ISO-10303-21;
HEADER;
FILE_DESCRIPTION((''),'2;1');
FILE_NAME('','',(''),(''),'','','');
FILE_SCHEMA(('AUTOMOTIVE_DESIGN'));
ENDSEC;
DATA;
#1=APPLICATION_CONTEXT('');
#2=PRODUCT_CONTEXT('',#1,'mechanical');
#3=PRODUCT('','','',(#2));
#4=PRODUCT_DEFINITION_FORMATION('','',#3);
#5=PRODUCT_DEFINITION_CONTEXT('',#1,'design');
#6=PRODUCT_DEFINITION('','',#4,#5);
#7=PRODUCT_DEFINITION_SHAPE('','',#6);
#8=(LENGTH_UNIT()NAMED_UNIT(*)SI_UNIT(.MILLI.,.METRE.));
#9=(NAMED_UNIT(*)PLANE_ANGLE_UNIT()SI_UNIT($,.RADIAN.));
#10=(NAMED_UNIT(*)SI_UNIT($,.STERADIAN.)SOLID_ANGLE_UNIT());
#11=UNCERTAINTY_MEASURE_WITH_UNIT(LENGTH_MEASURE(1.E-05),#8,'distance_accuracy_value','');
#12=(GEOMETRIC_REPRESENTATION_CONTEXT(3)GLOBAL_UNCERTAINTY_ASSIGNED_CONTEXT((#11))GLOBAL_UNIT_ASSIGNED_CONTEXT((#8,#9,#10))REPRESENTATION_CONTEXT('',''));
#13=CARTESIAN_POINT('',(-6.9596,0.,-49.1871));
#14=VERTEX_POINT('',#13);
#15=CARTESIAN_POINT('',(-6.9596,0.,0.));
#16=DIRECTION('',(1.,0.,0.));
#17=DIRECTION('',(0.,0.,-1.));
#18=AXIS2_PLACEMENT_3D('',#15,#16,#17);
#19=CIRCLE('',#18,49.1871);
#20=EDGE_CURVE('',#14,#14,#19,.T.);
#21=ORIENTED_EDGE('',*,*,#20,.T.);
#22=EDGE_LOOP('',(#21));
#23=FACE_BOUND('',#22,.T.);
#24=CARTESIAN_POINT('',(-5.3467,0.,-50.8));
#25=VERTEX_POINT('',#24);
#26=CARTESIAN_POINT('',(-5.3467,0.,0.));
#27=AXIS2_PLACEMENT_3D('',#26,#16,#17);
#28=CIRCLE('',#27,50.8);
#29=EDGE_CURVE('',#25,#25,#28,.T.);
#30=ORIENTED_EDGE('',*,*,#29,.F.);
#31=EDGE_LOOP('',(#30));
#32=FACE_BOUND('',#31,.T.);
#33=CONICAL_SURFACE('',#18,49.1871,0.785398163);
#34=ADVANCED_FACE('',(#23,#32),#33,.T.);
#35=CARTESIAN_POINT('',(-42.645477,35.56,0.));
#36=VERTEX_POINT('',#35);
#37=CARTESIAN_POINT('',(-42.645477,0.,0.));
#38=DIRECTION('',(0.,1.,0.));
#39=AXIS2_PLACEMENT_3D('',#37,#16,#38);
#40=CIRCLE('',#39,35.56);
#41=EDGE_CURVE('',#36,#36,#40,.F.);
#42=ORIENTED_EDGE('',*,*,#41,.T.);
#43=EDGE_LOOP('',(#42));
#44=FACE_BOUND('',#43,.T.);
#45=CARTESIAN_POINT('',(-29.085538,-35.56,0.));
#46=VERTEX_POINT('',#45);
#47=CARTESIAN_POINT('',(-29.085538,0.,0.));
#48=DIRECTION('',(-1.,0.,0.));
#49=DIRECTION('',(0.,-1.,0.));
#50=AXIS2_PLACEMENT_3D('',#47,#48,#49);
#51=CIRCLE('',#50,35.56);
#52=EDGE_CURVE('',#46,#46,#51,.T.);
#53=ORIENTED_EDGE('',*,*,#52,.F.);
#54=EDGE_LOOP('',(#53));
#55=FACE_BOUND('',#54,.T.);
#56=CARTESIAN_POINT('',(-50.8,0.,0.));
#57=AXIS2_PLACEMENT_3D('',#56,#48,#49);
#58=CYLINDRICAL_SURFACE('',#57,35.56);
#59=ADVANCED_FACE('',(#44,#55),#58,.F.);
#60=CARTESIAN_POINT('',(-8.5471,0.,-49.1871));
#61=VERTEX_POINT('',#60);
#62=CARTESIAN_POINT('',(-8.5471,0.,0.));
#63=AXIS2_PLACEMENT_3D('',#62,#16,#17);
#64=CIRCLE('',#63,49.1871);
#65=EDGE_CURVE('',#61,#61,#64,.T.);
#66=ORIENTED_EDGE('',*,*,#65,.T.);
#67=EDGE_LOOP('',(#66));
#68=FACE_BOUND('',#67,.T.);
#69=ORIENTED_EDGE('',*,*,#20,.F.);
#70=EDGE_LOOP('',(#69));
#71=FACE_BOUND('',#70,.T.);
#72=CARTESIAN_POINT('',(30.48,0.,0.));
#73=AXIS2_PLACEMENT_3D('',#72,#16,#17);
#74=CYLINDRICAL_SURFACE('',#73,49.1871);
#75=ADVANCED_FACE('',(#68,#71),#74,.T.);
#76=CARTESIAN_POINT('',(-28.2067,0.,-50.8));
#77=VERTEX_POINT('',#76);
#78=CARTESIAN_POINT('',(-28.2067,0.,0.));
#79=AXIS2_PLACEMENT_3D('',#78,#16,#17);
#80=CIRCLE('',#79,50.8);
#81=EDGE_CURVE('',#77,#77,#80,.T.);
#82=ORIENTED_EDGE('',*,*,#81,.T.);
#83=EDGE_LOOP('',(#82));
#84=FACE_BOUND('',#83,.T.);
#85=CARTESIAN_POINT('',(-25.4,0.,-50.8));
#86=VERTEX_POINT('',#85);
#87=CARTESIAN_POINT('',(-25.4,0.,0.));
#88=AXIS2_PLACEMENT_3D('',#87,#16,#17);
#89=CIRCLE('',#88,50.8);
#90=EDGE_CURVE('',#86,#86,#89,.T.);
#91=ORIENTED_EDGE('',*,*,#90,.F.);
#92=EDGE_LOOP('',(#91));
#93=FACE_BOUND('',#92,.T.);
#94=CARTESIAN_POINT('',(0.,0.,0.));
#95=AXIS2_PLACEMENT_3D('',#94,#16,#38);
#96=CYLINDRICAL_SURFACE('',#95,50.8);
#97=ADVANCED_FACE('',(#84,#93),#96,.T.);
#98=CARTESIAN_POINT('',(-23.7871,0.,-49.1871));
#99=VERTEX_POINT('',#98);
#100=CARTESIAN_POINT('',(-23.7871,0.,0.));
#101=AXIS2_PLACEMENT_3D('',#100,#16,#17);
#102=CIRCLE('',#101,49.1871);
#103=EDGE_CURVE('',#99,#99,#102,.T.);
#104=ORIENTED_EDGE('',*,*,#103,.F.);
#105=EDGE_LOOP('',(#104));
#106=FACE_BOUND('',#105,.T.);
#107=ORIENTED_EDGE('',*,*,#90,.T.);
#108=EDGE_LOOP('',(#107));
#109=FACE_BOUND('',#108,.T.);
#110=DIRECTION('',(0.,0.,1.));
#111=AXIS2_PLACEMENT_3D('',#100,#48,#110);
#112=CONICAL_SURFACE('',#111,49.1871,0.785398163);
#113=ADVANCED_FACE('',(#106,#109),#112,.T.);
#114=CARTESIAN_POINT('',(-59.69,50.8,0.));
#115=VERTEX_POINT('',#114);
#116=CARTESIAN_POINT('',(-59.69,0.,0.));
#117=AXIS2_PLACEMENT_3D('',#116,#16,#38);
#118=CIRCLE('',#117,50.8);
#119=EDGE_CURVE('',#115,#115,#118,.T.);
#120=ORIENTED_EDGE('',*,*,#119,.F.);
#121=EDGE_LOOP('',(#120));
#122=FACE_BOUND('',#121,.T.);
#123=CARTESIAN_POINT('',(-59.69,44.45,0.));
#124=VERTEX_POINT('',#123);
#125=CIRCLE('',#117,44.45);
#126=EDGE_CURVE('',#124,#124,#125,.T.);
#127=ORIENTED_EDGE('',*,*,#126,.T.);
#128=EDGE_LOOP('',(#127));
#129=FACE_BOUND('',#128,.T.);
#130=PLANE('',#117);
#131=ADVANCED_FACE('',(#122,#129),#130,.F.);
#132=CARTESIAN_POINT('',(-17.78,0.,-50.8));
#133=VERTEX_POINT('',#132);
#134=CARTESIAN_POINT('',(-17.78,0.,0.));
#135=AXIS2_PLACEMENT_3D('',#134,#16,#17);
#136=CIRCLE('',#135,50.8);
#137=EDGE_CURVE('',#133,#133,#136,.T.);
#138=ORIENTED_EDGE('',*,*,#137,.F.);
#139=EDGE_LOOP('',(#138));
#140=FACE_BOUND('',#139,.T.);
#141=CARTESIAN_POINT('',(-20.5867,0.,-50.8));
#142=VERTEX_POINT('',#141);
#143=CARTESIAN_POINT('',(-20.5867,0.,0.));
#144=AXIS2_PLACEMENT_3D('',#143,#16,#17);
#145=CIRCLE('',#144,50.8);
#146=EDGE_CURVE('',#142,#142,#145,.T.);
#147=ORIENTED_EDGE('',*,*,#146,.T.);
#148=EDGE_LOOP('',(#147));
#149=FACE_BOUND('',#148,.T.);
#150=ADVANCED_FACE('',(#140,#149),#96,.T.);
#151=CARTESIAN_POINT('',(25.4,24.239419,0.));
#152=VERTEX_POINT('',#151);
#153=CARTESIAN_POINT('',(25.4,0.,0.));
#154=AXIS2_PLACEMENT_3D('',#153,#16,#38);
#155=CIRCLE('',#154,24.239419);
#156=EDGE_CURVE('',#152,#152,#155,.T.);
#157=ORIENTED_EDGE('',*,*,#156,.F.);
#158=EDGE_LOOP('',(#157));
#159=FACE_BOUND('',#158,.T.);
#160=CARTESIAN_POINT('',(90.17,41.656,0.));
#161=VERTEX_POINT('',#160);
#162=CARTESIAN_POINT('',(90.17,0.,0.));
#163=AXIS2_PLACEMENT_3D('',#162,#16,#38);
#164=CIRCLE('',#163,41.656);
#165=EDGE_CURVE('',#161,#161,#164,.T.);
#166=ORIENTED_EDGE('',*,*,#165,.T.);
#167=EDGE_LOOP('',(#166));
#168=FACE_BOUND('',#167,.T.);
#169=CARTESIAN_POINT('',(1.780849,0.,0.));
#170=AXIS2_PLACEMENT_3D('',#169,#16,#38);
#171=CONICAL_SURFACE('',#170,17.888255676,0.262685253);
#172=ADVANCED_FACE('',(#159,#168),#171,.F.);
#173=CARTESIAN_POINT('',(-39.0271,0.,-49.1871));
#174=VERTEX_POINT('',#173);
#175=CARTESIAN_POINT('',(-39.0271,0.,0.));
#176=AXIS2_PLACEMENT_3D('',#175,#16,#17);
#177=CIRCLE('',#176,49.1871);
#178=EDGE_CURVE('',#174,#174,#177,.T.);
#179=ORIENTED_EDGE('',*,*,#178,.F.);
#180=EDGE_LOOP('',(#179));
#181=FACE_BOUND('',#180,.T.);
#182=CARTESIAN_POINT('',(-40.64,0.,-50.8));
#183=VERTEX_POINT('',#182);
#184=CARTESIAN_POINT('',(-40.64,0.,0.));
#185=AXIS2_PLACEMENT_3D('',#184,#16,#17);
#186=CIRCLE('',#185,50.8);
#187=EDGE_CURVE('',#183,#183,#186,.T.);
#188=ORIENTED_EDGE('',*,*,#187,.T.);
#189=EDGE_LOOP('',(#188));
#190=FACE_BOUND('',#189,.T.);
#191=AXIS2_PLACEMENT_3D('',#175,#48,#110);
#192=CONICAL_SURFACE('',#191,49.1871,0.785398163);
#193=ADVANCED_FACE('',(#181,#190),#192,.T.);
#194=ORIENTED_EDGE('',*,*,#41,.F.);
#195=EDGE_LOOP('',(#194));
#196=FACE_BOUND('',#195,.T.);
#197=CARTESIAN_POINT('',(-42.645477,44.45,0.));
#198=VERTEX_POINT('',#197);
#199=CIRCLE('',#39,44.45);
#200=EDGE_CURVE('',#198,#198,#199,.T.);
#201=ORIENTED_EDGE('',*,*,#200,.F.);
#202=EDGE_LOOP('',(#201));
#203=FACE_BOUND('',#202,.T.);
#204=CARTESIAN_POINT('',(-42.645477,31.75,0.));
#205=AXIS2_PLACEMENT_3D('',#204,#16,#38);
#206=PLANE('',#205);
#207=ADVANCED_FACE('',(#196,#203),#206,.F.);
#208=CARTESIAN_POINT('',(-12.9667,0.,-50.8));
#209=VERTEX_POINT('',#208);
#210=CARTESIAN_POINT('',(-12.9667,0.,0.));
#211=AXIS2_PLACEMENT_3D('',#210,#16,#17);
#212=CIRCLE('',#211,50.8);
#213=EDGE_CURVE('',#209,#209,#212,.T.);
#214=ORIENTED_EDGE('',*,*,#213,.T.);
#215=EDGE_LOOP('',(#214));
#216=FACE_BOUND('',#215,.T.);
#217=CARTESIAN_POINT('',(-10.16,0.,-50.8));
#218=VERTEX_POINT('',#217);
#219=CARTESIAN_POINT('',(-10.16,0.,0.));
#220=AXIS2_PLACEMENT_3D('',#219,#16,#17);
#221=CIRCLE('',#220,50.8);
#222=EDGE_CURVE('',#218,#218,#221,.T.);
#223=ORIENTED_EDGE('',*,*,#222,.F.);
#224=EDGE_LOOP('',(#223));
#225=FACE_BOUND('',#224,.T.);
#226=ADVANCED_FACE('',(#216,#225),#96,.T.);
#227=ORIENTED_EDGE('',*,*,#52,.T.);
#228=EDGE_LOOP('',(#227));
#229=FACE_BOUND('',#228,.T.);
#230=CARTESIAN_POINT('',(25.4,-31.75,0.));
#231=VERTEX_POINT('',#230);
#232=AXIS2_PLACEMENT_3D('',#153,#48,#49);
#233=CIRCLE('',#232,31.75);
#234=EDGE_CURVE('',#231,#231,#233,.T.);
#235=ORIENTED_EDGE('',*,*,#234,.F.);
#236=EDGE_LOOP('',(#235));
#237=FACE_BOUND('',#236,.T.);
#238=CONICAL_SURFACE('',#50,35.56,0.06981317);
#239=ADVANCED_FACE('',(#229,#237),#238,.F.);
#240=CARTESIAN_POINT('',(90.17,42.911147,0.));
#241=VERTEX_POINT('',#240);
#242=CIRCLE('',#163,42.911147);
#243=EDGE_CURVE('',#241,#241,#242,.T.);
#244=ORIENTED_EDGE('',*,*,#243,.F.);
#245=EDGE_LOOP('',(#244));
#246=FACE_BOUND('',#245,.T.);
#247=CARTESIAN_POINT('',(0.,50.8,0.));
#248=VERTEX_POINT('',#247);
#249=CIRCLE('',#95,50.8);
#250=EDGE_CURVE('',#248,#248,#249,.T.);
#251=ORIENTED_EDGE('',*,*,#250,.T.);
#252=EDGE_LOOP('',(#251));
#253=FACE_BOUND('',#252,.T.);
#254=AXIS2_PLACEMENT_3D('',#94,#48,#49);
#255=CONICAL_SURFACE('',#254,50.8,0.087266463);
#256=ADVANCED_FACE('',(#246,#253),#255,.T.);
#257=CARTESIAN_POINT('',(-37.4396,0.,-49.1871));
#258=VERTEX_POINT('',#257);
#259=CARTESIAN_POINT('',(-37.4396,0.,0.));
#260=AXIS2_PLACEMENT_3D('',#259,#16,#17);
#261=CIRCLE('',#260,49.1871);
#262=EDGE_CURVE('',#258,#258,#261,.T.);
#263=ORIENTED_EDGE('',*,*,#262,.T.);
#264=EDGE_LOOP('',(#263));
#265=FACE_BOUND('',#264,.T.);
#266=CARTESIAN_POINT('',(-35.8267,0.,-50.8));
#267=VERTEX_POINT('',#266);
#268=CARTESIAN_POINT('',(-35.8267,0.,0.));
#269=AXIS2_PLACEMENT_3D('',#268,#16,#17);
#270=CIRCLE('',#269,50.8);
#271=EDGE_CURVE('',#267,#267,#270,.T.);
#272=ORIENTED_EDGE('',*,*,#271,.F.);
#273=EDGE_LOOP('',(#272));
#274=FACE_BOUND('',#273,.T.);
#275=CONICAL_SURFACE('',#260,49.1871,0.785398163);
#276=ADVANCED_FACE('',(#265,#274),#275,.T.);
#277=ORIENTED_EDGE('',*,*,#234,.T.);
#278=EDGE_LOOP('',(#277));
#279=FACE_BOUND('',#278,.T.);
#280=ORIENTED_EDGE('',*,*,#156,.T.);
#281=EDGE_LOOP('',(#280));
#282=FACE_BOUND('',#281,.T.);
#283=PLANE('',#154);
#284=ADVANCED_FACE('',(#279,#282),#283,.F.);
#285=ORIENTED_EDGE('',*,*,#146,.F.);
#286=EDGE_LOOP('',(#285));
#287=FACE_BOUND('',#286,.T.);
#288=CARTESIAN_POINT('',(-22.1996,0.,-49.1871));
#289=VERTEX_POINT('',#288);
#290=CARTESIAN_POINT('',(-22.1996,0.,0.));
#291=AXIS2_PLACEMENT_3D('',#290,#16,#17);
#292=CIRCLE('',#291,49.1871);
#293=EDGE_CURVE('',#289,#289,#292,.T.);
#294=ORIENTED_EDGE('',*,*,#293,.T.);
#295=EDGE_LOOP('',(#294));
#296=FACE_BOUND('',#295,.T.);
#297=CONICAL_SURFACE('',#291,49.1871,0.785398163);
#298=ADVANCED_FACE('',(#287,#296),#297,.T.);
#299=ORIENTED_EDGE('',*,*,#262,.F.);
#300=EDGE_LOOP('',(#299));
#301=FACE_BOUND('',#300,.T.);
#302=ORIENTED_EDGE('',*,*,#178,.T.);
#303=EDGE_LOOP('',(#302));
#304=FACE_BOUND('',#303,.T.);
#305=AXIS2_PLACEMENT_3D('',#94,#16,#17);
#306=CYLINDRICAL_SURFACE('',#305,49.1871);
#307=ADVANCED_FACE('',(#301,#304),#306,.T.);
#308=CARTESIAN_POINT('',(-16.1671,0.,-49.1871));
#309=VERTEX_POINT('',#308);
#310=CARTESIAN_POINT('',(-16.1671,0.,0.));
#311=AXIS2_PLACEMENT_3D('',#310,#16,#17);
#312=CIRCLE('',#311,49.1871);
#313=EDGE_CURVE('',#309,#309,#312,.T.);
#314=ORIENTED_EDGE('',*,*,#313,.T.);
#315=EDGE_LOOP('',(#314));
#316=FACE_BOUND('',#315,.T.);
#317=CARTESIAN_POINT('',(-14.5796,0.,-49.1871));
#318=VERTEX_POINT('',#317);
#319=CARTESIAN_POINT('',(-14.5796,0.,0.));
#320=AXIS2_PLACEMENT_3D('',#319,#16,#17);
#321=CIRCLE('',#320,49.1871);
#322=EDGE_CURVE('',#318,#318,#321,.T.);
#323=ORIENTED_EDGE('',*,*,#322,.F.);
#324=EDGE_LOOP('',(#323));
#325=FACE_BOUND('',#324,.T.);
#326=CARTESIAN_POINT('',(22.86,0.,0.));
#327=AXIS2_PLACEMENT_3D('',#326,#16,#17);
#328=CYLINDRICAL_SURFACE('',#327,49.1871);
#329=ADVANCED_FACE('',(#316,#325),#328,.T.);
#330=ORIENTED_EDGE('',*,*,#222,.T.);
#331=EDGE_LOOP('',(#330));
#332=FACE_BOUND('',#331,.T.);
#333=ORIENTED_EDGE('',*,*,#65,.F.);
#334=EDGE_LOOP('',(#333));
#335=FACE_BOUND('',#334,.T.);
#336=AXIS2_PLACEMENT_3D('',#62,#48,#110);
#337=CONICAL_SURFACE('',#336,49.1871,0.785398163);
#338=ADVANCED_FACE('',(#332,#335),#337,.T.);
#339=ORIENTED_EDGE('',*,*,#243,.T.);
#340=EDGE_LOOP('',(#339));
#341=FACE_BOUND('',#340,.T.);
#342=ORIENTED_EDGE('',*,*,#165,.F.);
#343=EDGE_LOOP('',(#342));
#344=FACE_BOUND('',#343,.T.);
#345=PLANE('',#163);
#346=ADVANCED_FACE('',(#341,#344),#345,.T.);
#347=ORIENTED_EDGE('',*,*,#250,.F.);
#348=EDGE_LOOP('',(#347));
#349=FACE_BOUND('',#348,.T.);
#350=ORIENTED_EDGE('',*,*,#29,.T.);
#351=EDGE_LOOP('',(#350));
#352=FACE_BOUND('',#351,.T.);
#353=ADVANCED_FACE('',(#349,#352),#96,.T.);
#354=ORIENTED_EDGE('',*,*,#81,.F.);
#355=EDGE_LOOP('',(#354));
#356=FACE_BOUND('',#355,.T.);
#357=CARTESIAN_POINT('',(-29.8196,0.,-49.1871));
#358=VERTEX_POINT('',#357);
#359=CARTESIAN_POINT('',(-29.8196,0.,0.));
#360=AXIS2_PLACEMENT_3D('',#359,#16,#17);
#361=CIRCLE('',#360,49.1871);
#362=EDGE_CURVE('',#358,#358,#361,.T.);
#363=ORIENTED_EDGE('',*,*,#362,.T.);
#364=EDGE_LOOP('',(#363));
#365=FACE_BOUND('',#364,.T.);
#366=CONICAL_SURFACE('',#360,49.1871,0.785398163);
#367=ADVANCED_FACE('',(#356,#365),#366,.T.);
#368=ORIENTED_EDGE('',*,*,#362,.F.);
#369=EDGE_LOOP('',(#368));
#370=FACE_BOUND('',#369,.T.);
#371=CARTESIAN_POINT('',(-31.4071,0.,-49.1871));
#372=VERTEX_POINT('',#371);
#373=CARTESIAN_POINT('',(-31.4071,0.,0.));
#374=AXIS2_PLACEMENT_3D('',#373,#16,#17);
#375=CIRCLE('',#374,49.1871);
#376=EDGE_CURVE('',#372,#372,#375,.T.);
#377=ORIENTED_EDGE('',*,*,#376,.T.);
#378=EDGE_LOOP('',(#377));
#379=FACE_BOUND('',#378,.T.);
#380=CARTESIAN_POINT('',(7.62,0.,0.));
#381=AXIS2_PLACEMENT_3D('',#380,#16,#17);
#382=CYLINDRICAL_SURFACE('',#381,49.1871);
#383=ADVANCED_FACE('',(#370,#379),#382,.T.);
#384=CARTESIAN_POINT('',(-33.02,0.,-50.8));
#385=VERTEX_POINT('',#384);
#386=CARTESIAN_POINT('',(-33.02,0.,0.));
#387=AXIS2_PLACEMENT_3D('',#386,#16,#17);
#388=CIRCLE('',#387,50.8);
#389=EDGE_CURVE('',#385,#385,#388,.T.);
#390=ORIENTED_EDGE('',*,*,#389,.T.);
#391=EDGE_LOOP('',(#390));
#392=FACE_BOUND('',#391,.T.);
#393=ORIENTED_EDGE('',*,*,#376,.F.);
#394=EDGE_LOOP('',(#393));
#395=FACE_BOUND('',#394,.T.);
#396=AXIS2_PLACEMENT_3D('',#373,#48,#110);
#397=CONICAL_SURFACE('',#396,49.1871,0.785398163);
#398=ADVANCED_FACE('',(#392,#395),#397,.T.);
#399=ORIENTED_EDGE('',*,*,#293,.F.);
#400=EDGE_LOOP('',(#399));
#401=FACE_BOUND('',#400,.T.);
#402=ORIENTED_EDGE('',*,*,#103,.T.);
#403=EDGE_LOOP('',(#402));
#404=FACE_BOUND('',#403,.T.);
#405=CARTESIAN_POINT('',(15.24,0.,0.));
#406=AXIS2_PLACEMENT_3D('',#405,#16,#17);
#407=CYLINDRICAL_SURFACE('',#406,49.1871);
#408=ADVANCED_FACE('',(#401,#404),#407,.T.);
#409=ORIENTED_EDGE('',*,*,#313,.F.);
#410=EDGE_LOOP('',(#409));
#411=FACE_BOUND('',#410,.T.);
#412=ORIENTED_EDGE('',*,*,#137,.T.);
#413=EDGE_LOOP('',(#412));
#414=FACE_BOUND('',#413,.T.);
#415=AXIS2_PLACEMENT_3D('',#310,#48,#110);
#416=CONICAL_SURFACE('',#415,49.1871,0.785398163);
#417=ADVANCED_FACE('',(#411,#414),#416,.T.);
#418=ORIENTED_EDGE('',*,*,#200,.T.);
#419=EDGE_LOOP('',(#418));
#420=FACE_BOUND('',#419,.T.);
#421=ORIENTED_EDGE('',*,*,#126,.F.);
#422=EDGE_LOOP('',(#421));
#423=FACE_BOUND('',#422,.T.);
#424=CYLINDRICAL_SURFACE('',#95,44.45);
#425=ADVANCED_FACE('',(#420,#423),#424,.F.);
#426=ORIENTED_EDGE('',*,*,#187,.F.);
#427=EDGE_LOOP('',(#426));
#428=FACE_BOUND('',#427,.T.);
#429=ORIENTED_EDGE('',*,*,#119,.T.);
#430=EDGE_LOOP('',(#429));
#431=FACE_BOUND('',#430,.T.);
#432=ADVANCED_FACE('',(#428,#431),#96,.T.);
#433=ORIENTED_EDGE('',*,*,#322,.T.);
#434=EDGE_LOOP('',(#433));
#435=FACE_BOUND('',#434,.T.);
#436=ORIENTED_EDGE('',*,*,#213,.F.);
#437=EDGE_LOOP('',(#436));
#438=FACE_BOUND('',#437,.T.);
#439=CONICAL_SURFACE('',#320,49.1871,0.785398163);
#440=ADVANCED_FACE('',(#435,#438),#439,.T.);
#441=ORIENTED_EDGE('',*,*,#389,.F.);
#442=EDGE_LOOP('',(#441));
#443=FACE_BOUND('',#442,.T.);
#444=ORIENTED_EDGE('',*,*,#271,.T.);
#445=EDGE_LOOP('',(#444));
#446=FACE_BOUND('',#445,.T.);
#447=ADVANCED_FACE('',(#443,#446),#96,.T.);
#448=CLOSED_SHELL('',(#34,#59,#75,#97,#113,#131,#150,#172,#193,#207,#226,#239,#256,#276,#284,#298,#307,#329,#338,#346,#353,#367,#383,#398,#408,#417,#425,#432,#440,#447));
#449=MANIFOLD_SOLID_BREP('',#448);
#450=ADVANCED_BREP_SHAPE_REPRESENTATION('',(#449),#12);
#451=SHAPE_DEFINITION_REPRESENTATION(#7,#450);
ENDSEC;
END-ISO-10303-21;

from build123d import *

# Parameters (mm, degrees)
SKETCH4_W       = 29.744523245
SKETCH4_H       = 12.7
SKETCH5_W       = 1.5875
SKETCH5_H       = 1.6129
LPATTERN1_COUNT = 5
LPATTERN1_PITCH = 7.62


with BuildPart() as part:
    # Sketch1 → Revolve1 (revolve)
    with BuildSketch(Plane.XY):
        with BuildLine():
            ThreePointArc((0, 17.653), (0.898160183, 17.712068298), (1.780848569, 17.888255676))
            Line((1.780848569, 17.888255676), (90.17, 41.656))
            Line((90.17, 41.656), (90.17, 42.91114721))
            Line((90.17, 42.91114721), (0, 50.8))
            Line((0, 50.8), (-59.69, 50.8))
            Line((-59.69, 50.8), (-59.69, 44.45))
            Line((-59.69, 44.45), (-72.39, 44.45))
            Line((-72.39, 44.45), (-72.39, 38.1))
            Line((-72.39, 38.1), (-59.69, 38.1))
            Line((-59.69, 38.1), (-9.310840107, 19.331058169))
            ThreePointArc((-9.310840107, 19.331058169), (-4.730423414, 18.075866931), (0, 17.653))
        make_face()
    revolve(axis=Axis((0, 0, 0), (-1, 0, 0)))

    # Sketch2 → Cut-Revolve2 (revolve, cut)
    with BuildSketch(Plane.XY):
        Polygon((25.4, 31.75), (0, 31.75), (-42.645476755, 31.75), (-50.8, 31.75), (-50.8, 0), (0, 0), (25.4, 0), align=None)
        Polygon((-42.645476755, 31.75), (0, 31.75), (25.4, 31.75), (-29.085538438, 35.56), (-42.645476755, 35.56), align=None)
    revolve(axis=Axis((-50.8, 0, 0), (1, 0, 0)), mode=Mode.SUBTRACT)

    # Sketch4 → Cut-Revolve4 (revolve, cut)
    with BuildSketch(Plane.XY):
        with Locations((-57.517738378, 38.1)):
            Rectangle(SKETCH4_W, SKETCH4_H)
    revolve(axis=Axis((0, 0, 0), (-1, 0, 0)), mode=Mode.SUBTRACT)

    # Sketch5 → Cut-Revolve5 (revolve, cut)
    with BuildSketch(Plane.XY):
        Polygon((-37.4396, 50.8), (-37.4396, 49.1871), (-35.8267, 50.8), align=None)
        with Locations((-38.23335, 49.99355)):
            Rectangle(SKETCH5_W, SKETCH5_H)
        Polygon((-40.64, 50.8), (-39.0271, 49.1871), (-39.0271, 50.8), align=None)
    cut_revolve5 = revolve(axis=Axis((0, 0, 0), (-1, 0, 0)), mode=Mode.SUBTRACT)

    # LPattern1: Cut-Revolve5 ×5
    with Locations(*[(i * LPATTERN1_PITCH, 0, 0) for i in range(1, LPATTERN1_COUNT)]):
        add(cut_revolve5, mode=Mode.SUBTRACT)


solid = part.part
